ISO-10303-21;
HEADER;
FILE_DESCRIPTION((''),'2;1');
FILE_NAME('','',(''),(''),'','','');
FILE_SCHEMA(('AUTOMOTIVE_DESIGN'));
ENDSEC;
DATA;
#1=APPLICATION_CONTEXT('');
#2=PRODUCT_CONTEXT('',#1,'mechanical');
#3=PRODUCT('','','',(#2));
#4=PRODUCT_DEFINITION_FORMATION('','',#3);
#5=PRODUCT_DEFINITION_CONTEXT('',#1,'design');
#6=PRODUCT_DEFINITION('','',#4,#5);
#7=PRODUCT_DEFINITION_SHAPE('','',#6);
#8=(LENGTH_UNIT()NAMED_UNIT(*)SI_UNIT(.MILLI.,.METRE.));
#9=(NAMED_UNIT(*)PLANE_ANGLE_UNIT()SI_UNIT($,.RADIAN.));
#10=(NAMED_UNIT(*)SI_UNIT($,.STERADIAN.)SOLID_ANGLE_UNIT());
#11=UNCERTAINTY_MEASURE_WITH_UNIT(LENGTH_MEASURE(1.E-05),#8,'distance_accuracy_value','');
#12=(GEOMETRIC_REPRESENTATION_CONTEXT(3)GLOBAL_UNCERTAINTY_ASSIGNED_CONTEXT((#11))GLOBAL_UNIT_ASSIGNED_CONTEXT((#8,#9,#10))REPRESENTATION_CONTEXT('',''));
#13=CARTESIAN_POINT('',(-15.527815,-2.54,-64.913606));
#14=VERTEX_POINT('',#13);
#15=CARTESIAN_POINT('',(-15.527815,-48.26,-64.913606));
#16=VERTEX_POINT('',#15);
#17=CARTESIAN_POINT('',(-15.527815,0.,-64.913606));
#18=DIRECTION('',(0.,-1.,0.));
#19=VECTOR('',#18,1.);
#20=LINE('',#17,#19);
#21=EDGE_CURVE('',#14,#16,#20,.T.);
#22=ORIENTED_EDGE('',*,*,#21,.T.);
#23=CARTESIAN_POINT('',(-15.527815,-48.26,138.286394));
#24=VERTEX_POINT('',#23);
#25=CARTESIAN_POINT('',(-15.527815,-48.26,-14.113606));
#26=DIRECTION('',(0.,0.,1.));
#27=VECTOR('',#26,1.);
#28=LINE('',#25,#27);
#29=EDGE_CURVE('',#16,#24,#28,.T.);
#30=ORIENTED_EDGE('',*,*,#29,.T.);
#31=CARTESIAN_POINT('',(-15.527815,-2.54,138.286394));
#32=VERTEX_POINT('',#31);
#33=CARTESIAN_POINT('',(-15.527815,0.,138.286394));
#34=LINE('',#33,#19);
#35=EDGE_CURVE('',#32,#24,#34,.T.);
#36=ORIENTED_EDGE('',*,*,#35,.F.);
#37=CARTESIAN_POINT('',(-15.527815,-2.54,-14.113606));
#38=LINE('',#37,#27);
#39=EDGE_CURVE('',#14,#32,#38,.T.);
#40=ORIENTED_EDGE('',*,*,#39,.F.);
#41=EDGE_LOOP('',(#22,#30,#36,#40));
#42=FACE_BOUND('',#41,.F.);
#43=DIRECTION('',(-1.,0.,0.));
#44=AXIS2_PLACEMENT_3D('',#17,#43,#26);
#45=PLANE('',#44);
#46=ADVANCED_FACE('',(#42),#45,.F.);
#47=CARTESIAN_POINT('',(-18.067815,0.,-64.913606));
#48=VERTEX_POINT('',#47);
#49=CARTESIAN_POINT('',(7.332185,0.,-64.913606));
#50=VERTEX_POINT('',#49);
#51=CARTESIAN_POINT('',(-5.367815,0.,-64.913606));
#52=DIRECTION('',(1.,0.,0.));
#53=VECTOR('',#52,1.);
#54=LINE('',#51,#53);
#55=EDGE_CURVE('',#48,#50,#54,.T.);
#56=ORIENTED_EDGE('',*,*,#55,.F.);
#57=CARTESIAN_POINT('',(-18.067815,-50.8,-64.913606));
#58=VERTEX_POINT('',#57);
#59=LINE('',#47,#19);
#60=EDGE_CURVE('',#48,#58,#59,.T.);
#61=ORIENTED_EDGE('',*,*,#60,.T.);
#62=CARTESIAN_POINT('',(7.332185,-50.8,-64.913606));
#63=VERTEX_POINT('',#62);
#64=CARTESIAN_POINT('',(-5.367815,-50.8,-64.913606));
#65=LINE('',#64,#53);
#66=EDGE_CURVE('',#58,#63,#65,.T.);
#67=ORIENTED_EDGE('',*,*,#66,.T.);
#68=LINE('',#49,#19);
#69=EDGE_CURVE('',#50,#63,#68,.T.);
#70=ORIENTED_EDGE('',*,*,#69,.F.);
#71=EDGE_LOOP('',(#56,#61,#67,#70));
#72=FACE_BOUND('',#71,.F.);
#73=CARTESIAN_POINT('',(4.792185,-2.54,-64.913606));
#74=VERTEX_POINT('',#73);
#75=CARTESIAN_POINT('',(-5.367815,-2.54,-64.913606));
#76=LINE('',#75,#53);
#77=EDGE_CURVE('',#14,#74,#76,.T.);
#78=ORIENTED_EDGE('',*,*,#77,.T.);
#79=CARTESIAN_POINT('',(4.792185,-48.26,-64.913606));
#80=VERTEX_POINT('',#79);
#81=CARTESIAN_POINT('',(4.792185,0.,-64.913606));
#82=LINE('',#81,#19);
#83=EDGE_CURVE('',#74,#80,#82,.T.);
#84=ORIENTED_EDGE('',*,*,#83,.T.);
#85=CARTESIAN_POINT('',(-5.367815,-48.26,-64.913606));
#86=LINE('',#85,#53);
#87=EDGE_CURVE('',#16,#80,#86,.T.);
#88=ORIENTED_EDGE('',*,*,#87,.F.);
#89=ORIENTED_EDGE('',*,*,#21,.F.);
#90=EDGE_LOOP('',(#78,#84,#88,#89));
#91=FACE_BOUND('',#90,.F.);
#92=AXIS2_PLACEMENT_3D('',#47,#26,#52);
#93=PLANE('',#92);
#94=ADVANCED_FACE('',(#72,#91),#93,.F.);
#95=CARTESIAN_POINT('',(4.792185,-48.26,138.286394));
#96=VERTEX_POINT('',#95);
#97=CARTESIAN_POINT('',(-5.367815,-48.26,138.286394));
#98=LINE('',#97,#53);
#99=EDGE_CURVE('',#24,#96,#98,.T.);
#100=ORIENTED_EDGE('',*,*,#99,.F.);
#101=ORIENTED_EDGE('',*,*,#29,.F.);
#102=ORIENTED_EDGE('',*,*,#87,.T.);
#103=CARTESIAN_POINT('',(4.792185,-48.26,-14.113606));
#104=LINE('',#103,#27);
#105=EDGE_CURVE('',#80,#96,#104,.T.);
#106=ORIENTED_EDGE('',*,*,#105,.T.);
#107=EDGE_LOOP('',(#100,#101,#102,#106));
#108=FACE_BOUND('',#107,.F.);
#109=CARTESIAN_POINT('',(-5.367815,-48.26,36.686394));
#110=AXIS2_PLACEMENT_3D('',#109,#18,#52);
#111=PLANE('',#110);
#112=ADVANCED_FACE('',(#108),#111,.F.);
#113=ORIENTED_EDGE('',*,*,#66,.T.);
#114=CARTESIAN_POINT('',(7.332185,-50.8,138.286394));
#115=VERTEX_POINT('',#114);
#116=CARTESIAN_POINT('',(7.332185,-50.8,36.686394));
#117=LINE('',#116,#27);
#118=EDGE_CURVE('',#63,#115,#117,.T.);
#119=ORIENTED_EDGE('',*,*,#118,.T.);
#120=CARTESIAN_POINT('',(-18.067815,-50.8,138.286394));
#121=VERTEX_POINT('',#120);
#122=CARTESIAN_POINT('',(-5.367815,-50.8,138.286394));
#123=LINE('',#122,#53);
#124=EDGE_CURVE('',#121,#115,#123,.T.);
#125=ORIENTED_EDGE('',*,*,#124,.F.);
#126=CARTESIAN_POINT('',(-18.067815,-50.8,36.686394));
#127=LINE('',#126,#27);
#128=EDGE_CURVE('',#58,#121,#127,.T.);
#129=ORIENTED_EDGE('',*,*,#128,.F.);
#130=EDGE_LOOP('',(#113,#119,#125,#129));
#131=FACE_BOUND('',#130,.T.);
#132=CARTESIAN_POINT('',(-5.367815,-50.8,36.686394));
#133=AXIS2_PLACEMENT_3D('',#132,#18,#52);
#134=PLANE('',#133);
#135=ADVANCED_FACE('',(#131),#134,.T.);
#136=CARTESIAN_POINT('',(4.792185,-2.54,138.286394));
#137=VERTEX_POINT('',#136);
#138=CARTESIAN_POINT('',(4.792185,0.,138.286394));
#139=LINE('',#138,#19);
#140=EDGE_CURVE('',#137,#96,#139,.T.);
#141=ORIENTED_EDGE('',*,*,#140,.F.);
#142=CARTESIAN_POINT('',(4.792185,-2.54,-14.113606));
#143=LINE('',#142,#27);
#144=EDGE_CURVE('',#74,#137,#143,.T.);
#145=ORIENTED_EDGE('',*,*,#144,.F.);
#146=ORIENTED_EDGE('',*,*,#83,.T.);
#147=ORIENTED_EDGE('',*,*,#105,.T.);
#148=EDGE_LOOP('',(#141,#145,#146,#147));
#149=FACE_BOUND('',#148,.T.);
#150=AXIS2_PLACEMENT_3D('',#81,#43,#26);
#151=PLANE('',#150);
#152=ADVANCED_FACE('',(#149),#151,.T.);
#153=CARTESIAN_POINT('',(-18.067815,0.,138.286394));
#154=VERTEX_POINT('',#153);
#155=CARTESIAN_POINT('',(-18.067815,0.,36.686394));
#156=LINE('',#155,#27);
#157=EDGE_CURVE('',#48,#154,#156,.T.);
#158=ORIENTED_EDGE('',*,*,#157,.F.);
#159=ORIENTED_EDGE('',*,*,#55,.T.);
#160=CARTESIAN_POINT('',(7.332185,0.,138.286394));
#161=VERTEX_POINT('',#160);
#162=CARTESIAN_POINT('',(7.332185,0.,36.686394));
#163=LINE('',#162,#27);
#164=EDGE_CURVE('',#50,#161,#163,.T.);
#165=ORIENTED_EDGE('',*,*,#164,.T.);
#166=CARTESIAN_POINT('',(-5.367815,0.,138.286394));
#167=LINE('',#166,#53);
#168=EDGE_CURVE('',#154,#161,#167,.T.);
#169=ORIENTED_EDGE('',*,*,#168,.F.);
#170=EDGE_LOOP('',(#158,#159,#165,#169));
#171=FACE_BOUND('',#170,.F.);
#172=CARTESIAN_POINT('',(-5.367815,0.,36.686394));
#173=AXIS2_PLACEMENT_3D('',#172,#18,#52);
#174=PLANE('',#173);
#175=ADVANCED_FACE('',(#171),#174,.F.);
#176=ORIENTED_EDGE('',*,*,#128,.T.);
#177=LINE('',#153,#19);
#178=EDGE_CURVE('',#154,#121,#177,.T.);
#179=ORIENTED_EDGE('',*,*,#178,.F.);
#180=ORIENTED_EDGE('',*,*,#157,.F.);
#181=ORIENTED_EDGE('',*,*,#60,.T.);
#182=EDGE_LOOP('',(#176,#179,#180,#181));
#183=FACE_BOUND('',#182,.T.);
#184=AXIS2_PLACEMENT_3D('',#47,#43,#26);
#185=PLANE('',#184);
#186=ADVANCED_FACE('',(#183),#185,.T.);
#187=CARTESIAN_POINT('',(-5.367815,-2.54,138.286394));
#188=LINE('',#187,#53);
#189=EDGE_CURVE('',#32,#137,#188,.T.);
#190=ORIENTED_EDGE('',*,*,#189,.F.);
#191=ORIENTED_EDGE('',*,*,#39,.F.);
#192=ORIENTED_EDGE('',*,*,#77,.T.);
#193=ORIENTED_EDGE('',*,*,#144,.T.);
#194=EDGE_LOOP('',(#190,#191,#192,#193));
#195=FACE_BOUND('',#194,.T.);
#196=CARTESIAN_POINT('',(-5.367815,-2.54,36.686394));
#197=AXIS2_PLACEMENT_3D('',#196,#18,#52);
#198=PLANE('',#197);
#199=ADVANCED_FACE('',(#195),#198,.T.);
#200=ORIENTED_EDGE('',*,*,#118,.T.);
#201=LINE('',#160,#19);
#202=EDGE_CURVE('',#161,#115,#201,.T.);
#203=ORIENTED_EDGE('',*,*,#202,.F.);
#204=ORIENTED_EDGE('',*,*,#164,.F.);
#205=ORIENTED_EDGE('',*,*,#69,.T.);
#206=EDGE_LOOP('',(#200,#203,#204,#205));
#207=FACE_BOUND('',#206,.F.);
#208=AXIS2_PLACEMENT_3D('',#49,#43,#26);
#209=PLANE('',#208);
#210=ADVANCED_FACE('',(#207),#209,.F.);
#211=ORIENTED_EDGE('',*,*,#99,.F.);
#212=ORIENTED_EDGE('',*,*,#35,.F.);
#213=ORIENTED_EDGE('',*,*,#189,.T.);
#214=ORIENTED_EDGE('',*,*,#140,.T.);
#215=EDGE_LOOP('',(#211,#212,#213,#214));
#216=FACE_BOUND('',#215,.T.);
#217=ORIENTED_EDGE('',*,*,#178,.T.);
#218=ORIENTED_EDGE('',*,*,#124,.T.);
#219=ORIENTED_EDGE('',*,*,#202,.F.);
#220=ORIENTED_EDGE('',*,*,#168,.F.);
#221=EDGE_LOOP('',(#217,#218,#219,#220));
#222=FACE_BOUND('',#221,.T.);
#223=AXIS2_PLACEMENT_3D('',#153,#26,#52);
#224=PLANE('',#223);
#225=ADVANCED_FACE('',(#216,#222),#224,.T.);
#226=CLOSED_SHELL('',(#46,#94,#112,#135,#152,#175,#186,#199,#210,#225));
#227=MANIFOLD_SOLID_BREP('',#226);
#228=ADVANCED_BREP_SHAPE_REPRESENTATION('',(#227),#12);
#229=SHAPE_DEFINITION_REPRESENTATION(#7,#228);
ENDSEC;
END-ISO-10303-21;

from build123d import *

# Parameters (mm, degrees)
F0_W     = 25.4
F0_H     = 203.2
F1_DEPTH = 50.8
F2_T     = -2.54


with BuildPart() as f1:
    # F0 (on Front) → F1 (new body)
    with BuildSketch(Plane.XZ):
        with Locations((-5.367815, 36.686394)):
            Rectangle(F0_W, F0_H)
    extrude(amount=F1_DEPTH)

    # F2
    f2_openings = [f1.faces().sort_by_distance(p)[0] for p in [
        (-5.367815, -25.4, 138.286394),
        (-5.367815, -25.4, -64.913606),
    ]]
    offset(amount=F2_T, openings=f2_openings)


solid = f1.part
